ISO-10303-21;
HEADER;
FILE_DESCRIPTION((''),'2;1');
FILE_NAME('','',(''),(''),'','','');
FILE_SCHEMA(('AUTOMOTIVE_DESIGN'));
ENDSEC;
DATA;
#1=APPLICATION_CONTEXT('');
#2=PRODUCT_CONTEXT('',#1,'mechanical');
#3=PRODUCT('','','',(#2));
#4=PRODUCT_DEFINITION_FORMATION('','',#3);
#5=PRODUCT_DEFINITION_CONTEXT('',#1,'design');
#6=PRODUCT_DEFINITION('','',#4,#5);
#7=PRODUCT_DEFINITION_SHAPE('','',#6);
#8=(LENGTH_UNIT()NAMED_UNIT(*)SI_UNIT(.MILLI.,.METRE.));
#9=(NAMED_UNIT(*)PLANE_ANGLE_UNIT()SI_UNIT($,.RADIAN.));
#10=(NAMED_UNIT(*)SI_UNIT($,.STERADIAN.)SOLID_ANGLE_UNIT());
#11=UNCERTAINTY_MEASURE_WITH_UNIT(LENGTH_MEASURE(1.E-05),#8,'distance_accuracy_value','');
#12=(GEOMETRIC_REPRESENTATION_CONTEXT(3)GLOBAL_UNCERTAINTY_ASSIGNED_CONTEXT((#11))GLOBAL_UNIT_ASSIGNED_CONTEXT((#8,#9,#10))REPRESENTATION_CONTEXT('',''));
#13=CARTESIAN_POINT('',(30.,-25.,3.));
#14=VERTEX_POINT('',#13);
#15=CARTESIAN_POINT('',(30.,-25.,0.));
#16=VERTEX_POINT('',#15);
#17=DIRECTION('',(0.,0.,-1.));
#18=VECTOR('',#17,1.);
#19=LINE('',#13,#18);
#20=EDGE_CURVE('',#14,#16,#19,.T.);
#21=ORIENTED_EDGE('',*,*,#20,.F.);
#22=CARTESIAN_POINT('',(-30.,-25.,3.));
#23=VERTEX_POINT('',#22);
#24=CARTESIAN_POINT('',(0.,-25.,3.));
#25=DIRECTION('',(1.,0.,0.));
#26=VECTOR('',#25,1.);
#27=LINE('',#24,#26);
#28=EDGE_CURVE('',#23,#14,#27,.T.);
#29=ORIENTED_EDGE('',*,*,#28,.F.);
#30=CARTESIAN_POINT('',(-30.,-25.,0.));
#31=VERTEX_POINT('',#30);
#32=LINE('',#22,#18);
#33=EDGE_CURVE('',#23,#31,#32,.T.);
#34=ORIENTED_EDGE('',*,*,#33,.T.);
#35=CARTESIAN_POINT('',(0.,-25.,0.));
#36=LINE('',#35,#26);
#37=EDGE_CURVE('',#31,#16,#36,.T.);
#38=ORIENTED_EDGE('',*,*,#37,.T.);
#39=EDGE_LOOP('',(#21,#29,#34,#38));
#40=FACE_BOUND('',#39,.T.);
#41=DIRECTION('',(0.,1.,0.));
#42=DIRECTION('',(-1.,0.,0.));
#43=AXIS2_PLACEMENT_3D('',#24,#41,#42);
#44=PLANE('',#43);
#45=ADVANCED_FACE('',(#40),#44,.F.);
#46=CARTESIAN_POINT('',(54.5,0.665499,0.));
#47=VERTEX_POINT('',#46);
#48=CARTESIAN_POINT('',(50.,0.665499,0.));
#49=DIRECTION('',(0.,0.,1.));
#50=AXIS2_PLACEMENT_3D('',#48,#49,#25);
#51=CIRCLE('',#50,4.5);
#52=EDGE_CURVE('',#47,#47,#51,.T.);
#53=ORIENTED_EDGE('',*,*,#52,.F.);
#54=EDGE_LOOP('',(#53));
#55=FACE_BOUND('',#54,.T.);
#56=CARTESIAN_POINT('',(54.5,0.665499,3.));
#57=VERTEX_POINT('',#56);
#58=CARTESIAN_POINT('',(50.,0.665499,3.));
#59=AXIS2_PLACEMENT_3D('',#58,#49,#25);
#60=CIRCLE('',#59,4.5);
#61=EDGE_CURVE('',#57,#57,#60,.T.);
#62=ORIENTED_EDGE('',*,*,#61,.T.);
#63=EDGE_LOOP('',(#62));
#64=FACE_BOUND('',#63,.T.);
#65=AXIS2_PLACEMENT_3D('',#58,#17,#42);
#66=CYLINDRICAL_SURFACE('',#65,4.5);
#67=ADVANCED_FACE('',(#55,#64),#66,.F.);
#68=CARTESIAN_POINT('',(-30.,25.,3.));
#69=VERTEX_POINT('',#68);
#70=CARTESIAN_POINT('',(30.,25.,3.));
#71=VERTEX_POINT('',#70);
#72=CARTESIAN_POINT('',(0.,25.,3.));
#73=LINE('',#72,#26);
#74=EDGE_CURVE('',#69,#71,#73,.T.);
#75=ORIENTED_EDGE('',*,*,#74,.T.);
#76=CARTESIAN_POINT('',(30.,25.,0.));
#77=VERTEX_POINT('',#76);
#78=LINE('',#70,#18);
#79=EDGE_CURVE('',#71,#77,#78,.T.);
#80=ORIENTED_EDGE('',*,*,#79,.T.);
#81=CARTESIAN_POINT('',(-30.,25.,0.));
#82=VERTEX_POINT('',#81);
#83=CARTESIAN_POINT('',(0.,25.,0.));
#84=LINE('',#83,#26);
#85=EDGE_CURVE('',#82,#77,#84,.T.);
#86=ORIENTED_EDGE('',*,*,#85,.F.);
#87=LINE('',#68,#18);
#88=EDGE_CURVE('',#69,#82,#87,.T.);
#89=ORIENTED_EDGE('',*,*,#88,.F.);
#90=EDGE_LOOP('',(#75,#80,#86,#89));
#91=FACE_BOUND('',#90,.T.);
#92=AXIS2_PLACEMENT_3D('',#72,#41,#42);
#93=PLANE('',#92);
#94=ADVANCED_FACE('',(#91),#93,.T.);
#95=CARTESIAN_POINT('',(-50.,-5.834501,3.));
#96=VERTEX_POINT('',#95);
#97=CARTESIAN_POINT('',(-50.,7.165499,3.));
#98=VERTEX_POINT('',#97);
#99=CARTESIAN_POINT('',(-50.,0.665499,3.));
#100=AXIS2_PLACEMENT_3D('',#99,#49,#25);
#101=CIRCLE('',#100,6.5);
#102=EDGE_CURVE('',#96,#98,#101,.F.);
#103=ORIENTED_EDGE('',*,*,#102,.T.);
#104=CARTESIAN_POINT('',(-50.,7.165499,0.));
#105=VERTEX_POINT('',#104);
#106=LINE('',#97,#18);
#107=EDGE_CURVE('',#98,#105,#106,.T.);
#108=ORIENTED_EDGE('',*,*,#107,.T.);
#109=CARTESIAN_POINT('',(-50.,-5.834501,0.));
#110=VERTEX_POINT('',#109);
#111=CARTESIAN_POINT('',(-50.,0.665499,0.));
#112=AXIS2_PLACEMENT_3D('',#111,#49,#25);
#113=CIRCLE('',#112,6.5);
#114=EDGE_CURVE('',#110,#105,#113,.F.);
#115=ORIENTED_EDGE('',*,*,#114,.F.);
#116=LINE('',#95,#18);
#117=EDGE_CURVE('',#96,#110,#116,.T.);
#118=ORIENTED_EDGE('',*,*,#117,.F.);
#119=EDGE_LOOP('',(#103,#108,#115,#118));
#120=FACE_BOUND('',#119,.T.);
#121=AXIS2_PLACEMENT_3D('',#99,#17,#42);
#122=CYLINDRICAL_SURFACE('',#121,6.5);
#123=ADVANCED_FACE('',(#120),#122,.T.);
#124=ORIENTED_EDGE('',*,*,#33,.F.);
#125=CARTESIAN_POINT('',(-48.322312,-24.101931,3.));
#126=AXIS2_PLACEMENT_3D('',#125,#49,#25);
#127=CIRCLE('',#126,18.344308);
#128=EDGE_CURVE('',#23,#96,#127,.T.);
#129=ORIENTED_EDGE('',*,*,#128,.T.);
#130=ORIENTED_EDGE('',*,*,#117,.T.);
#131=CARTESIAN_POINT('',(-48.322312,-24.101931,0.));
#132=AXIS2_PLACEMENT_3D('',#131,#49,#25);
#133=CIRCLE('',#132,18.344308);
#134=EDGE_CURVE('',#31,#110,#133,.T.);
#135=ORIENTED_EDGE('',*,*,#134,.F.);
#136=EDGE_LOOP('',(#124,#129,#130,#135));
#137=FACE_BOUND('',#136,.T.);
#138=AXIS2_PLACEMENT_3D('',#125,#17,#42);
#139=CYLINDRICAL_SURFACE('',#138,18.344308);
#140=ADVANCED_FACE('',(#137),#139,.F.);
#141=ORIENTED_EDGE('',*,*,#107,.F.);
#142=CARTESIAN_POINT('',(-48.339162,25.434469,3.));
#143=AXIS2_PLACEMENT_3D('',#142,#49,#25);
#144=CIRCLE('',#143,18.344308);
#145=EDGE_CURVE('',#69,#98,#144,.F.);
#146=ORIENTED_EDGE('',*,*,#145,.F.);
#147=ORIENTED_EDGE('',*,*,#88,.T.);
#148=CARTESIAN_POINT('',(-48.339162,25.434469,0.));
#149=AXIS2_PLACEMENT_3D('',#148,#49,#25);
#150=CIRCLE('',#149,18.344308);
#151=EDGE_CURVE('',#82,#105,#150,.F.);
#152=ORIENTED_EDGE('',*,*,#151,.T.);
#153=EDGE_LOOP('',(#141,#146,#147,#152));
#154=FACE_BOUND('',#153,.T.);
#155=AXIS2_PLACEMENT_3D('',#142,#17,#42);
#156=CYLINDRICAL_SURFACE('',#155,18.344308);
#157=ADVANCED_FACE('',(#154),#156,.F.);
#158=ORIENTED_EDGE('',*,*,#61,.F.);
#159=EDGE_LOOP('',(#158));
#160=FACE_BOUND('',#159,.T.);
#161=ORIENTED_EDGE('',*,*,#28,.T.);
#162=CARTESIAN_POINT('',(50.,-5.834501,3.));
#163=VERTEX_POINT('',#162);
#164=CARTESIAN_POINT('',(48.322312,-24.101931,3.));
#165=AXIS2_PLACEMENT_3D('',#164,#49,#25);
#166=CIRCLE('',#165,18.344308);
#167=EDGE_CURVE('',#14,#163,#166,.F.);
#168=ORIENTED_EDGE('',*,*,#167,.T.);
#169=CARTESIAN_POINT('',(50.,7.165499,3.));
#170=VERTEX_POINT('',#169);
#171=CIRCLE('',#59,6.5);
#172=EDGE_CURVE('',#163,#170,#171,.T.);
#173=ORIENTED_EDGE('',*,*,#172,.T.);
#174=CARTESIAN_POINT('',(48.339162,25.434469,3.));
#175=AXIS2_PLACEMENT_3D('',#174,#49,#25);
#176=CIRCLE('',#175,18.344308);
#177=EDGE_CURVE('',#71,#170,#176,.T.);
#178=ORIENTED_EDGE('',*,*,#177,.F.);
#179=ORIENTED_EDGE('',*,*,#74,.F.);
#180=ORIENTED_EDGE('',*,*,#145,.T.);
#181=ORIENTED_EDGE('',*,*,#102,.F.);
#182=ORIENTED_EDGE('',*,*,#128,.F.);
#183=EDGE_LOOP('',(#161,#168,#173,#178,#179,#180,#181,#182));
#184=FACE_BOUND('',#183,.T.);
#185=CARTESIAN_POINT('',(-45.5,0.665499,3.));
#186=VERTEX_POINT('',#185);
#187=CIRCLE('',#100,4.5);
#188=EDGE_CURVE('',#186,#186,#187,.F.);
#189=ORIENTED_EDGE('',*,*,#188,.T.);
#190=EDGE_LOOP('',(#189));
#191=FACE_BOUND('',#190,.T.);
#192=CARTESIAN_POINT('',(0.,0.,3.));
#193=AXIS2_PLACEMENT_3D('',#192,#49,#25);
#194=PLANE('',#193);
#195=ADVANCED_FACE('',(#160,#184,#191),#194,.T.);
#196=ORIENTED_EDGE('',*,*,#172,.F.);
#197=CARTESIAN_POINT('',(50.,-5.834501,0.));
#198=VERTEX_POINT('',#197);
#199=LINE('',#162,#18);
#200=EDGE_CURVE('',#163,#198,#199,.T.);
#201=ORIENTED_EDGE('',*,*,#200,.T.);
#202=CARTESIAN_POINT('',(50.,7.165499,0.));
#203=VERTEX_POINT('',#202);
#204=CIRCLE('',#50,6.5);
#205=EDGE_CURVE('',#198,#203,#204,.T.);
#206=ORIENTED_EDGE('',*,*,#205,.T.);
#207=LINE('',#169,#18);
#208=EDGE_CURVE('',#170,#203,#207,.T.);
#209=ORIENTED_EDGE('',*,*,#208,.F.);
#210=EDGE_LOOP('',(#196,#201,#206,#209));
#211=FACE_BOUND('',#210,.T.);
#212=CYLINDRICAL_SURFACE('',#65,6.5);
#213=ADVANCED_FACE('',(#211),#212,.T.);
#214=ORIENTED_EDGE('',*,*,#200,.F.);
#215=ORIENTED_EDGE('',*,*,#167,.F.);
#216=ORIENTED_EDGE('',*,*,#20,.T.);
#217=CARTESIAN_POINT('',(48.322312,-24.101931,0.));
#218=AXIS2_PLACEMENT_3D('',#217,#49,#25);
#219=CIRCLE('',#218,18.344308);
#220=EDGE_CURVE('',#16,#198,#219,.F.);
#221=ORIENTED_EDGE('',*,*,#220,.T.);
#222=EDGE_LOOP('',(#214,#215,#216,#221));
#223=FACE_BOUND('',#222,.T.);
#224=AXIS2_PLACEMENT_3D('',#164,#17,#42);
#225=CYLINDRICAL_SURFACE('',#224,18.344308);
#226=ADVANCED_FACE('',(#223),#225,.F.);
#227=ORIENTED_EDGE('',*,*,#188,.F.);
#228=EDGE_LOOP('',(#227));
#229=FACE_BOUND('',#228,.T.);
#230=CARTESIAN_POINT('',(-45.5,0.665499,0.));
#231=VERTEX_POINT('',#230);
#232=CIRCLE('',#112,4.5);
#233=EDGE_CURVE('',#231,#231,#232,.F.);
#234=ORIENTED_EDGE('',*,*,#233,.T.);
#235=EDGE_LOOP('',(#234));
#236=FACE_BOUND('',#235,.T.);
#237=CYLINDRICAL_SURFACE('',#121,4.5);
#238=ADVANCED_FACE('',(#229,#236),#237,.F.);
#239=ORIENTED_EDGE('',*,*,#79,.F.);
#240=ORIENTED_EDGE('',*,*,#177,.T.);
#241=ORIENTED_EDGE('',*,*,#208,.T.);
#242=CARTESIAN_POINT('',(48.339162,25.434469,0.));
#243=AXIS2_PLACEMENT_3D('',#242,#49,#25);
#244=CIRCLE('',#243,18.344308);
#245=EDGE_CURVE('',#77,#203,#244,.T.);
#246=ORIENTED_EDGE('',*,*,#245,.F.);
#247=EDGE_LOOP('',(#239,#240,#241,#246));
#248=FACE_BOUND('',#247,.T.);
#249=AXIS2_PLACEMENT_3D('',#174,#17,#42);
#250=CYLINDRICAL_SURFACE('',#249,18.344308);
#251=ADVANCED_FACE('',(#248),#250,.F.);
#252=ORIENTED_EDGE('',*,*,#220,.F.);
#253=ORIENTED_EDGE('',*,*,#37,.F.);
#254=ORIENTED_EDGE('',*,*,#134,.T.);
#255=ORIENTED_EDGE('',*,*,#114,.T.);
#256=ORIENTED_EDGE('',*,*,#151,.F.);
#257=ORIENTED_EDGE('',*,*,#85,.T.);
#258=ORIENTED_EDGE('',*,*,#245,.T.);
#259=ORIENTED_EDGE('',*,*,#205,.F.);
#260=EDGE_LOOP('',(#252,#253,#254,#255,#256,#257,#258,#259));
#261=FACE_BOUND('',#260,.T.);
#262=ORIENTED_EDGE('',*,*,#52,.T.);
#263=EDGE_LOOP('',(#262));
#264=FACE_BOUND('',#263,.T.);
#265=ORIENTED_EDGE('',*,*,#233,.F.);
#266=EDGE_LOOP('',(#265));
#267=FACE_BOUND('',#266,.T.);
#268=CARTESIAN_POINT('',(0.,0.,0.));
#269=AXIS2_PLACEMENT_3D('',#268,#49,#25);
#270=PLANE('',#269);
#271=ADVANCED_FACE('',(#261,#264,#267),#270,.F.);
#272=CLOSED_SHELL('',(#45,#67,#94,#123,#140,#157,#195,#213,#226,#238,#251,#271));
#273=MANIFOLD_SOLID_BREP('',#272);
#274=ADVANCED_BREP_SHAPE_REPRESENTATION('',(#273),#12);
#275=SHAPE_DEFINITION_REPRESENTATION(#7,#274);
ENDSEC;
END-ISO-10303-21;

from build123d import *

# Parameters (mm, degrees)
SKETCH2_R           = 4.5
BOSS_EXTRUDE2_DEPTH = 3


with BuildPart() as part:
    # Sketch2 → Boss-Extrude2 (new body)
    with BuildSketch(Plane.XY):
        with BuildLine():
            ThreePointArc((-50, -5.834500909), (-56.5, 0.665499091), (-50, 7.165499091))
            ThreePointArc((-50, 7.165499091), (-36.130190824, 11.743060763), (-30, 25))
            Line((-30, 25), (30, 25))
            ThreePointArc((30, 25), (36.130190824, 11.743060763), (50, 7.165499091))
            ThreePointArc((50, 7.165499091), (56.5, 0.665499091), (50, -5.834500909))
            ThreePointArc((50, -5.834500909), (35.63018968, -10.857170595), (30, -25))
            Line((30, -25), (-30, -25))
            ThreePointArc((-30, -25), (-35.63018968, -10.857170595), (-50, -5.834500909))
        make_face()
        with Locations((50, 0.665499091)):
            Circle(SKETCH2_R, mode=Mode.SUBTRACT)
        with Locations((-50, 0.665499091)):
            Circle(SKETCH2_R, mode=Mode.SUBTRACT)
    extrude(amount=BOSS_EXTRUDE2_DEPTH)


solid = part.part
